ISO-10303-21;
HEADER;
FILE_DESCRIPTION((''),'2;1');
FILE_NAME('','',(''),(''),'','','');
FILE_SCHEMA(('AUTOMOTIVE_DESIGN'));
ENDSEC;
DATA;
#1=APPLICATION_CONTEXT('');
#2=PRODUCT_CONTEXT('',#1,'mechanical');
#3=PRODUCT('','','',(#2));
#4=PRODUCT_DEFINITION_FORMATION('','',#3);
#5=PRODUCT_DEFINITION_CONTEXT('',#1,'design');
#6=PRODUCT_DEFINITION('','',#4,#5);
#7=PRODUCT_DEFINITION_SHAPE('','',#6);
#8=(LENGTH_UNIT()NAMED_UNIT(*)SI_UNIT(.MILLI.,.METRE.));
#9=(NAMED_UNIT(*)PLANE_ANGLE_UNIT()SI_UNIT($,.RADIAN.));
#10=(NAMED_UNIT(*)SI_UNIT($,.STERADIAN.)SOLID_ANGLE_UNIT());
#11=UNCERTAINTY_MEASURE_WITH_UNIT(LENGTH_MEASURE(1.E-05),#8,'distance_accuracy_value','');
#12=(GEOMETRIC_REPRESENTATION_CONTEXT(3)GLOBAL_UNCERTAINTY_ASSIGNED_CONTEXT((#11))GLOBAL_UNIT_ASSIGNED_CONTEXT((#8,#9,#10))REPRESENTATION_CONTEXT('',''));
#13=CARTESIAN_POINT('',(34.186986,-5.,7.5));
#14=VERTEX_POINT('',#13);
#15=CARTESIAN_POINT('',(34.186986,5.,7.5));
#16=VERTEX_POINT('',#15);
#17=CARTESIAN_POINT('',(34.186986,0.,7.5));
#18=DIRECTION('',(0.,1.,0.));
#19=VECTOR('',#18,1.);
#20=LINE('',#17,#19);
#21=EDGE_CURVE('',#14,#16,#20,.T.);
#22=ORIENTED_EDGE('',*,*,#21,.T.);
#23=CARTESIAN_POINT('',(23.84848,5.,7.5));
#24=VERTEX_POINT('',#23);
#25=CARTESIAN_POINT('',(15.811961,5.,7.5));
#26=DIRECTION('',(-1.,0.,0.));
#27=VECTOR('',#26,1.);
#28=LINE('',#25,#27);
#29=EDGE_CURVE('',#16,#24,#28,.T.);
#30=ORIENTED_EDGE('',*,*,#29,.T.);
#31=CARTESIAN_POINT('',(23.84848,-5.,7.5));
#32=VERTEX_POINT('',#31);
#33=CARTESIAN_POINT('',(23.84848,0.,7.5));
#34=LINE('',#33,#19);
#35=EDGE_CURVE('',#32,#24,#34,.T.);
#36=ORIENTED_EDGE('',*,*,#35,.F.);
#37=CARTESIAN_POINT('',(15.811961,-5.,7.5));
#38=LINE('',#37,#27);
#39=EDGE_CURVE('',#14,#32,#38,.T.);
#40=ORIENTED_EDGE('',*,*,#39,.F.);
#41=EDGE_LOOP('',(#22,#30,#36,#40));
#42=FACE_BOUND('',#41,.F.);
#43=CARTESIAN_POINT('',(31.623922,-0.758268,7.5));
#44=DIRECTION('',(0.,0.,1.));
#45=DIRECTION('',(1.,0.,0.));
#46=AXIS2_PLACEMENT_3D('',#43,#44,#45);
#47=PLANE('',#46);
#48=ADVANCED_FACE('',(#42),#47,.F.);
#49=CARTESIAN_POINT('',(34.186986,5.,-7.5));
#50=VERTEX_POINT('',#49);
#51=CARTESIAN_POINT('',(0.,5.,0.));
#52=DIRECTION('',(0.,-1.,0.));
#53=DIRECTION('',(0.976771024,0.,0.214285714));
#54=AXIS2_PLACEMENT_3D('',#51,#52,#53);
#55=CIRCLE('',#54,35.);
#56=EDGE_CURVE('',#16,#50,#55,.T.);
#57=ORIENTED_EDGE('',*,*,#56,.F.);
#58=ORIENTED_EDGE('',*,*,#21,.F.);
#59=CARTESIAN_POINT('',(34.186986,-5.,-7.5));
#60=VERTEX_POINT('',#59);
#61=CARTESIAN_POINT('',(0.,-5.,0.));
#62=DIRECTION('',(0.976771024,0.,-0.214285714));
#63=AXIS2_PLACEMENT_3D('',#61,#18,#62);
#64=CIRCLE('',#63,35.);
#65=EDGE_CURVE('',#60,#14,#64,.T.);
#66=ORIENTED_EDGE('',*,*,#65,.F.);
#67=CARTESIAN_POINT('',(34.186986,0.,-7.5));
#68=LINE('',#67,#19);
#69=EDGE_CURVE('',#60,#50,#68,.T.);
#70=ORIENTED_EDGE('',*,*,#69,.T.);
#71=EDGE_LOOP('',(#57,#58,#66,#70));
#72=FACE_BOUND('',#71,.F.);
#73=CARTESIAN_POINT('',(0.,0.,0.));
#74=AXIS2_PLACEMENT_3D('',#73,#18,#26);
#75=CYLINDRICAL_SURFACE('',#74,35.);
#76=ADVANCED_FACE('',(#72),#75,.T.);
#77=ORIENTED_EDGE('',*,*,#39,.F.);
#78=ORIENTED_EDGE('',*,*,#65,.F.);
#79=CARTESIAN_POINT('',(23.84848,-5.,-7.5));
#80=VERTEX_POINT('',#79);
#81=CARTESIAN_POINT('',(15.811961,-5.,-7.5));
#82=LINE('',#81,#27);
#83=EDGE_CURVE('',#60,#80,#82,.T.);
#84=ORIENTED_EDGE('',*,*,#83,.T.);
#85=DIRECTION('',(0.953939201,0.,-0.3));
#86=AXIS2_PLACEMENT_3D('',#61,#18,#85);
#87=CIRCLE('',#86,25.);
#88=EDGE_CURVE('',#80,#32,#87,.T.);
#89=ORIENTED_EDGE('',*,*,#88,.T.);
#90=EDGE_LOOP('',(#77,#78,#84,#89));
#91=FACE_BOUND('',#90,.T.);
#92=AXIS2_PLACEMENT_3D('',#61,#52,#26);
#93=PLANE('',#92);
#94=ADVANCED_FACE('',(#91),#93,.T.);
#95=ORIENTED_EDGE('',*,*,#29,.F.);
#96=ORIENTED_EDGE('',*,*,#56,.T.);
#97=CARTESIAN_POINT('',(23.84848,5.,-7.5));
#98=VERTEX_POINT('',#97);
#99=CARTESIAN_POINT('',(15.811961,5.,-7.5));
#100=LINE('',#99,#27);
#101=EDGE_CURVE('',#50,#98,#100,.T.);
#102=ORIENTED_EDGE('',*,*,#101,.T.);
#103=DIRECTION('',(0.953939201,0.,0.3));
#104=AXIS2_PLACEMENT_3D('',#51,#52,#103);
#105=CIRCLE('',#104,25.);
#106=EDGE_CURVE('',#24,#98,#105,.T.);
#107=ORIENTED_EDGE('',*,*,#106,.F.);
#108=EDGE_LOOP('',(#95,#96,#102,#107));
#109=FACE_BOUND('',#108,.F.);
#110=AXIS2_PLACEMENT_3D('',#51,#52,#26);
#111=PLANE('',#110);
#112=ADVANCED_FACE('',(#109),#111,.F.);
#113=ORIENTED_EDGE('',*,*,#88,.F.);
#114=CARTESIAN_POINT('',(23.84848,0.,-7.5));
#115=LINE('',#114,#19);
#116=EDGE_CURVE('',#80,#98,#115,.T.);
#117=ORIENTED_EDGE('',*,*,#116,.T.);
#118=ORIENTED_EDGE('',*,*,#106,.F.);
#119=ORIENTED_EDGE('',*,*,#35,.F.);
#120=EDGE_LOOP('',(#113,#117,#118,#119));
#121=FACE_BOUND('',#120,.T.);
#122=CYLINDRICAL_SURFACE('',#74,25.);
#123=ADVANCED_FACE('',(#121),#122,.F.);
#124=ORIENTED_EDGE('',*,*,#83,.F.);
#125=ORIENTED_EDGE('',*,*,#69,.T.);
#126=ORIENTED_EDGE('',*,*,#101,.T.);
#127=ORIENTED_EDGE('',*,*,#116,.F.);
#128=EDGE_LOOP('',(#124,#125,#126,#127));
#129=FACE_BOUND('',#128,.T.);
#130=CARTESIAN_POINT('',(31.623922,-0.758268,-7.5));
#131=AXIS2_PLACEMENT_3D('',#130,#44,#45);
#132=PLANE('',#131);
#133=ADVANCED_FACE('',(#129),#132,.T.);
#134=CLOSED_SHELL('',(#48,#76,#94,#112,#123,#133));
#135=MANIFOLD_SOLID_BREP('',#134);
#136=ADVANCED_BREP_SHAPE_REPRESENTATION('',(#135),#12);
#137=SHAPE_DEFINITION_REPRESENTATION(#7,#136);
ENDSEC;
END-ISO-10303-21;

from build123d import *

# Parameters (mm, degrees)
F0_W     = 10
F0_H     = 10
F3_DEPTH = 7.5


with BuildPart() as f1:
    # F0 (on Top) → F1 (revolve)
    with BuildSketch(Plane.XY):
        with Locations((-30, 0)):
            Rectangle(F0_W, F0_H)
    revolve(axis=Axis((0, -0.910494, 0), (0, -1, 0)))

    # F2 (on Top) → F3 (cut, symmetric)
    with BuildSketch(Plane.XY):
        Polygon((39.921038, 8.129815), (23.297383, 8.008474), (23.297383, -9.585902), (39.921038, -9.585902), align=None)
    extrude(amount=F3_DEPTH, both=True, mode=Mode.SUBTRACT)


solid = f1.part
